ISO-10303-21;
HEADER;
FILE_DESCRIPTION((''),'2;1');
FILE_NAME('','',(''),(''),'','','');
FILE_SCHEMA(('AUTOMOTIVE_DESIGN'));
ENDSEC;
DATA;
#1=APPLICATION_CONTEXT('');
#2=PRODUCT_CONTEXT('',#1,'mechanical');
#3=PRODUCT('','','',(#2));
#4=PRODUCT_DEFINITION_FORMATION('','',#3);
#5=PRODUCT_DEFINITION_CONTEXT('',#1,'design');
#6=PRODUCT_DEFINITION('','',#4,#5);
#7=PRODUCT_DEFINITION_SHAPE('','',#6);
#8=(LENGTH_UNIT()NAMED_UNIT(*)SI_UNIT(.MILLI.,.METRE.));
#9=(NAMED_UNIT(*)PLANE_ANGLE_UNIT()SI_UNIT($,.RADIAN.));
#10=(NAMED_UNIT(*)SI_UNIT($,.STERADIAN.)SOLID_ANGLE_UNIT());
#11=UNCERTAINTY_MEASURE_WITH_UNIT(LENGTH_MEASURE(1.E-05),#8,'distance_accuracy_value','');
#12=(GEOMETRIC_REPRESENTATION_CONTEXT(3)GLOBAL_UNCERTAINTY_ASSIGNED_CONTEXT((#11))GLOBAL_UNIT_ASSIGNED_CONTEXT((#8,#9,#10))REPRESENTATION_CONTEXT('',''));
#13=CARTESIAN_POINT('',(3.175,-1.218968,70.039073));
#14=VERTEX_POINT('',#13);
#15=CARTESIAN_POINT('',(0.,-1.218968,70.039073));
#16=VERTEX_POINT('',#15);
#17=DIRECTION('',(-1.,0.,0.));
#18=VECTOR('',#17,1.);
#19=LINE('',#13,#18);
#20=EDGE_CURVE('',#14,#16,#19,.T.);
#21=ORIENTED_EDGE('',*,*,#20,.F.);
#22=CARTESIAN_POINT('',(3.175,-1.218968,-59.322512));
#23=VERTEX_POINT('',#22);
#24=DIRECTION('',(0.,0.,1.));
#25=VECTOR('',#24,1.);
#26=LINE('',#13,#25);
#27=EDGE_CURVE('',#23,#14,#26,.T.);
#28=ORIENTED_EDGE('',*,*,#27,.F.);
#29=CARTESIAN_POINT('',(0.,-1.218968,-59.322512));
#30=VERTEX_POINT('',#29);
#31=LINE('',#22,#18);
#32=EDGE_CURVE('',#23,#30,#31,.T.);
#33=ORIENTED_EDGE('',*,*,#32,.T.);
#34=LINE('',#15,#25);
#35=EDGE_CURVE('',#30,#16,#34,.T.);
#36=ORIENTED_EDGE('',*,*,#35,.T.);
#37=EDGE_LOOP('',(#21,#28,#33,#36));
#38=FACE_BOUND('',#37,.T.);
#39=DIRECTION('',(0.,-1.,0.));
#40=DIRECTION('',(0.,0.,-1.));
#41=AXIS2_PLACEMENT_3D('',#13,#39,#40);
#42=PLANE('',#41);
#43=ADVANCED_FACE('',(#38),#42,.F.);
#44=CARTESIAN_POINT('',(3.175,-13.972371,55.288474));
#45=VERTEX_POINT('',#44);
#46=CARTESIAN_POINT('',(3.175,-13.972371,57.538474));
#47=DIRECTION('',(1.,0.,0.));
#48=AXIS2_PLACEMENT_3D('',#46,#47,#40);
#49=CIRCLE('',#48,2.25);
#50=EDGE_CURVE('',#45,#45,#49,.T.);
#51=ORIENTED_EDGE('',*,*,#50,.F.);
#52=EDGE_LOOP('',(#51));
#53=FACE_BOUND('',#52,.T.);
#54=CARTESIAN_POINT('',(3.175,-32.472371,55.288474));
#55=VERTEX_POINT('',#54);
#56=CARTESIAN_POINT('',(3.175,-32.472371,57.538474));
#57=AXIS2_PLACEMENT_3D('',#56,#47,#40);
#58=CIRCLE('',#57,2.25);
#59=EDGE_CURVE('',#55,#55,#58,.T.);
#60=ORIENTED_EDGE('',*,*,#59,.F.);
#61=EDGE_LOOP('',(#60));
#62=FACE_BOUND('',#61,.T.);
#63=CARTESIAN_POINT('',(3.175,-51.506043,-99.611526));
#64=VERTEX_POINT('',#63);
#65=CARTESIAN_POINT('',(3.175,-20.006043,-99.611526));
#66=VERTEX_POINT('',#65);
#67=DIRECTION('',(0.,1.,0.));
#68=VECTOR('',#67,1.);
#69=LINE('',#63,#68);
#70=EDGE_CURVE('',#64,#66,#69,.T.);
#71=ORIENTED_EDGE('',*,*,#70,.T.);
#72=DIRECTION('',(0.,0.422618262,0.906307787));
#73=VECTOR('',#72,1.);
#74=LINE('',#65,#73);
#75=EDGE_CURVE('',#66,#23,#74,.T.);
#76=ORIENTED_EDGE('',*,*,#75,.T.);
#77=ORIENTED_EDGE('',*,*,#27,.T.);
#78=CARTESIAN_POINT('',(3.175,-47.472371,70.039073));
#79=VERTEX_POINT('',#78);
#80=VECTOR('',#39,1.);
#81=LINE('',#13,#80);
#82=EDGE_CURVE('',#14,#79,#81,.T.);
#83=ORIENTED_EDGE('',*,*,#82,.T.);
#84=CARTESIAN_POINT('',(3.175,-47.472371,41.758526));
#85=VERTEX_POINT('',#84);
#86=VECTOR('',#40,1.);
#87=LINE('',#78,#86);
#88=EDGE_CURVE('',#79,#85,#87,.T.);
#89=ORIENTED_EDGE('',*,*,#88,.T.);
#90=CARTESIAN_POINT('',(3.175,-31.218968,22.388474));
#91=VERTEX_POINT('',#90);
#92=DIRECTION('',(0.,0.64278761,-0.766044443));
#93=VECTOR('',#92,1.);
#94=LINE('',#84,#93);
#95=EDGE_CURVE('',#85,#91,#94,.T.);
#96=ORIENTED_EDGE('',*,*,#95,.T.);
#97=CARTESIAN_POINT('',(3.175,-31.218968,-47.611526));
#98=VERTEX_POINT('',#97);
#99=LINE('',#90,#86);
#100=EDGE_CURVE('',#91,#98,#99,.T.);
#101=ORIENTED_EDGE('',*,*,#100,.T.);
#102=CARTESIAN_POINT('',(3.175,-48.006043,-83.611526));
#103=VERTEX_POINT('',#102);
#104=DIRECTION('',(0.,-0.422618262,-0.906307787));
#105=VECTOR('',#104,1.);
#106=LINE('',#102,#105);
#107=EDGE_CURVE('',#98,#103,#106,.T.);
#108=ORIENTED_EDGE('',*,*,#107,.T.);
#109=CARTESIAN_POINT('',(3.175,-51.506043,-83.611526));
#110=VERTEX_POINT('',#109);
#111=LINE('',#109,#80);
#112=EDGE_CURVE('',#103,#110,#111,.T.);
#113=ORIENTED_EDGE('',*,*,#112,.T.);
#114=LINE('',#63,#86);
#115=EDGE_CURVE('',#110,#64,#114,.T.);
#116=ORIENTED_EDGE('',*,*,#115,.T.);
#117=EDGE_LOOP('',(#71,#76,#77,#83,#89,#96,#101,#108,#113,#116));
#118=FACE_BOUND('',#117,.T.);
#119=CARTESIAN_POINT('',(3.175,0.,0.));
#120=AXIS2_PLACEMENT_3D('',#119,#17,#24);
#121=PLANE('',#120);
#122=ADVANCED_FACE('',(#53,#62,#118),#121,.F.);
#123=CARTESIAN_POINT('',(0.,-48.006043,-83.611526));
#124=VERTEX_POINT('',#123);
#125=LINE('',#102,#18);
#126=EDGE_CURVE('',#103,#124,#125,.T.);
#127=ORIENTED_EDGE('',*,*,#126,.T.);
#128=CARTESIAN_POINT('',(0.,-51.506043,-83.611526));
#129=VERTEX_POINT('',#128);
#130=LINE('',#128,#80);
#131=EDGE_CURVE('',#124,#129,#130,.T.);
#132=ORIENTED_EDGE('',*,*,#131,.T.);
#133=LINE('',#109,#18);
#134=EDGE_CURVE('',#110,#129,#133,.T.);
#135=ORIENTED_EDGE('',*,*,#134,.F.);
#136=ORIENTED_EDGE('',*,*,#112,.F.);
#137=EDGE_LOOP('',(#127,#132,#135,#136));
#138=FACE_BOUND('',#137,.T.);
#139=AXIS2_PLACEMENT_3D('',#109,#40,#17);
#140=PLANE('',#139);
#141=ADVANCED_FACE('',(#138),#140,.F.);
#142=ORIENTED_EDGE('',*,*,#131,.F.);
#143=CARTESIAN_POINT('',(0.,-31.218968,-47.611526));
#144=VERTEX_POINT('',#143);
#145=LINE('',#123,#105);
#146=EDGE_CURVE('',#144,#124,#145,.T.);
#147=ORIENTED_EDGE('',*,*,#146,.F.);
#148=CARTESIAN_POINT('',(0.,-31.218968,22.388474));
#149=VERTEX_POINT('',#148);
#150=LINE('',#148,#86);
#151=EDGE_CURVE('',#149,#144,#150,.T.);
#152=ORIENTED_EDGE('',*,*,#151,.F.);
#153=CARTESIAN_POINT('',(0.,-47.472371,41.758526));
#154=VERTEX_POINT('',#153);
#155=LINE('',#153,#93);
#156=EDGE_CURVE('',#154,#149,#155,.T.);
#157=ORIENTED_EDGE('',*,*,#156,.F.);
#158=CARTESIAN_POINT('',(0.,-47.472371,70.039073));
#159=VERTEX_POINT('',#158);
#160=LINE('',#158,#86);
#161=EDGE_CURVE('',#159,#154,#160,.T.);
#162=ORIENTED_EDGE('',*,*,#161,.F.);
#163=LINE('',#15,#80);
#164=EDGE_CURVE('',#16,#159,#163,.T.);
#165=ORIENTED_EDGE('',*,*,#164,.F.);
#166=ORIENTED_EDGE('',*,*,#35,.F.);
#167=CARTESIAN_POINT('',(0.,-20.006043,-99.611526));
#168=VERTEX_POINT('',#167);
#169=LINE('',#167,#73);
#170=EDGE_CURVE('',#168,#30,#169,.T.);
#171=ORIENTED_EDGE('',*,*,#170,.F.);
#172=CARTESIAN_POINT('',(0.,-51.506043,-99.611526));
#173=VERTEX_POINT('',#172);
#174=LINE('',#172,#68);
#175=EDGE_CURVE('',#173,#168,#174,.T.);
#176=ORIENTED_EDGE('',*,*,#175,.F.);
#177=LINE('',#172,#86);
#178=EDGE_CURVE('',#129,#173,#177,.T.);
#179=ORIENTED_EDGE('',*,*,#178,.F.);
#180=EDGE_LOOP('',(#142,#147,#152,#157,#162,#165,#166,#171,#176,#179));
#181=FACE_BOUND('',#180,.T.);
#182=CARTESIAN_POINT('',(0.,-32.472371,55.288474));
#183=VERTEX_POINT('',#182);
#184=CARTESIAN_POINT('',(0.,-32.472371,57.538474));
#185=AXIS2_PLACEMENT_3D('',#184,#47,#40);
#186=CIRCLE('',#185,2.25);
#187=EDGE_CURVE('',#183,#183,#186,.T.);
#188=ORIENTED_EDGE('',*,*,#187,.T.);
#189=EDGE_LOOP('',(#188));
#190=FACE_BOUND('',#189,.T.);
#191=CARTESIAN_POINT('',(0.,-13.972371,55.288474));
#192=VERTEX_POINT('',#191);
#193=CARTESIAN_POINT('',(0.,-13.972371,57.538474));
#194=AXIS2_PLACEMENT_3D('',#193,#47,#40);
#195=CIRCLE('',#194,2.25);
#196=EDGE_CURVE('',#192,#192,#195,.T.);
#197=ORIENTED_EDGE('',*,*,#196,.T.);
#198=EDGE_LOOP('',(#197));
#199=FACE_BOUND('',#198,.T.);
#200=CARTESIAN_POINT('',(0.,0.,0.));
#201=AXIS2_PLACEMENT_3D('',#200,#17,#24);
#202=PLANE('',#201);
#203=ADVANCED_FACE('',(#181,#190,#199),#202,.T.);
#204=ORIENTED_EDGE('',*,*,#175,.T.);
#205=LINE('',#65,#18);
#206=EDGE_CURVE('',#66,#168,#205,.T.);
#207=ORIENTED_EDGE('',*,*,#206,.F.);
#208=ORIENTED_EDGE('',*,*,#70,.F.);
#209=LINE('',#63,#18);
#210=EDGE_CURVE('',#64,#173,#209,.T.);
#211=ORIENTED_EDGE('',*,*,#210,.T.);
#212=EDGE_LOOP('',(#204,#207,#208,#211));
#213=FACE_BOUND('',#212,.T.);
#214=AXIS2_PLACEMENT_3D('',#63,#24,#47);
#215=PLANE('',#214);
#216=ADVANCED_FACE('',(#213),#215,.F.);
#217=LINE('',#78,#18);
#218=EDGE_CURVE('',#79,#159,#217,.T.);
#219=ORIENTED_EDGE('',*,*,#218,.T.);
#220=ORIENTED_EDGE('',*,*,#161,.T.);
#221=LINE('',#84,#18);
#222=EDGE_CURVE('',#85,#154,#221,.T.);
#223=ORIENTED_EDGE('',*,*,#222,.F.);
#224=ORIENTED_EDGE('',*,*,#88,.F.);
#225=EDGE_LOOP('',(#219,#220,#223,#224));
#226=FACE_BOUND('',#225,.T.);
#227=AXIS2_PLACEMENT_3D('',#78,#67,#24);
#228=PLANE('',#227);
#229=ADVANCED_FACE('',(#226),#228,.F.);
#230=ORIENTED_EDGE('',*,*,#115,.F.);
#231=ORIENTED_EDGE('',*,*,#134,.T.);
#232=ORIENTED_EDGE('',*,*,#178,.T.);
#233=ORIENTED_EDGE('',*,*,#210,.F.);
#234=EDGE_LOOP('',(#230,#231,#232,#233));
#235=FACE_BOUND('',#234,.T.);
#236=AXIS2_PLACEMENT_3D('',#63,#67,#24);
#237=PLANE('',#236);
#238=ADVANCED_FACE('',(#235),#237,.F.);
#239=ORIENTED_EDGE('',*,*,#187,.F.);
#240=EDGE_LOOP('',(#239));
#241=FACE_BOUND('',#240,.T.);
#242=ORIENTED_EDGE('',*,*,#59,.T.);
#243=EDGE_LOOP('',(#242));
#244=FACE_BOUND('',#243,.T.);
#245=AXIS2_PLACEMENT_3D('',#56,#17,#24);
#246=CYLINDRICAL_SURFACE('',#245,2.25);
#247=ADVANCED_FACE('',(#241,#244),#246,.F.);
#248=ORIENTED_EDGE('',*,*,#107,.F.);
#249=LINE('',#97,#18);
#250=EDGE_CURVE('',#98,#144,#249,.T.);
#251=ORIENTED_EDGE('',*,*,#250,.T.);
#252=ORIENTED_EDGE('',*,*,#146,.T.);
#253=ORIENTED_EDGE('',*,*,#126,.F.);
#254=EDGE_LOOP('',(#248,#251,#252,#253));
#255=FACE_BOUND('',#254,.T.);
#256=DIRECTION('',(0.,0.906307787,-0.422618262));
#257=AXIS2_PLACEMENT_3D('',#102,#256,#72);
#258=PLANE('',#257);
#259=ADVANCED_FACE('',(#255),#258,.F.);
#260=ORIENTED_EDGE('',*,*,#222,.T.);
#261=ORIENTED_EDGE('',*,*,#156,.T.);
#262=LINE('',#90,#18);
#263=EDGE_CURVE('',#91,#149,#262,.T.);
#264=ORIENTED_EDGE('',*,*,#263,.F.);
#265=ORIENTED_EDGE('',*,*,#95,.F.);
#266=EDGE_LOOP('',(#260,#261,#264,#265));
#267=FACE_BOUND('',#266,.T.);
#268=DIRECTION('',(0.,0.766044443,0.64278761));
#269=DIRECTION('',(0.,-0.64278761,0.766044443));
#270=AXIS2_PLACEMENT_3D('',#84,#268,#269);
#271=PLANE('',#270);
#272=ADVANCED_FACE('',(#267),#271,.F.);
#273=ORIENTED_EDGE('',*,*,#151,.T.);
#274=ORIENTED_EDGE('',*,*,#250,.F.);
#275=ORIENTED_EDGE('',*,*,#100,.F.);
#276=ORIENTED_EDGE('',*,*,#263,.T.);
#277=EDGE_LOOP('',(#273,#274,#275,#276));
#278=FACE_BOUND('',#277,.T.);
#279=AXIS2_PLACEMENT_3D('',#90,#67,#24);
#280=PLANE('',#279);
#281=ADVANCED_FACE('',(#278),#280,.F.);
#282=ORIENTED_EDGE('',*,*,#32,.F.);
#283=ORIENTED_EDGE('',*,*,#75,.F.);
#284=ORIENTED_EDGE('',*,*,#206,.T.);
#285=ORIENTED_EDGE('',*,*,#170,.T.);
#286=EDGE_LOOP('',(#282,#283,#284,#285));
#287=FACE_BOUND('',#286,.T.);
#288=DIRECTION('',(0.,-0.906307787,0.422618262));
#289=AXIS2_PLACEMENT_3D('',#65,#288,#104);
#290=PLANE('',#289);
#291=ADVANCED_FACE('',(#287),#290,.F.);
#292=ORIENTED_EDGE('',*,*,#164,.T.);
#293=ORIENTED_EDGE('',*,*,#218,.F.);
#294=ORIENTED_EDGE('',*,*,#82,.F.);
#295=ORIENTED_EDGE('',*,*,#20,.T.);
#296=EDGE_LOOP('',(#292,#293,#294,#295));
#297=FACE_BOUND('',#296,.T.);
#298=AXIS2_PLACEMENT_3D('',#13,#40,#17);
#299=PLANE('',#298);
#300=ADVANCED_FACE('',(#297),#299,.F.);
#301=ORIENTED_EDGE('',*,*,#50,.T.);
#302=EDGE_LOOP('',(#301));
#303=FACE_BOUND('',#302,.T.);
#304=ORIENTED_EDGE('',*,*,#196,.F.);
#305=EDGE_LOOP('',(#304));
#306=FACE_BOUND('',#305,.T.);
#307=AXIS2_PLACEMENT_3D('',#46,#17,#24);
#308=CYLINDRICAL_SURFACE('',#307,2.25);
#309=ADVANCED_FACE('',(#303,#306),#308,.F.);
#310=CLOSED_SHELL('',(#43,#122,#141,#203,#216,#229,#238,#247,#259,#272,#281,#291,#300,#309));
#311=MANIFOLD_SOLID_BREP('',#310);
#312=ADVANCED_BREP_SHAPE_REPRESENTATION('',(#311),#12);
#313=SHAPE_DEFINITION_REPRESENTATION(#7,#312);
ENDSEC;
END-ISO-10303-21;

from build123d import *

# Parameters (mm, degrees)
SKETCH1_R           = 2.25
BOSS_EXTRUDE2_DEPTH = 3.175


with BuildPart() as part:
    # Sketch1 → Boss-Extrude2 (new body)
    with BuildSketch(Plane(origin=(0, 0, 0), x_dir=(0, 0, -1), z_dir=(1, 0, 0))):
        Polygon((-70.039073078, -1.218967506), (59.322512202, -1.218967506), (99.611526043, -20.0060432), (99.611526043, -51.5060432), (83.611526043, -51.5060432), (83.611526043, -48.0060432), (47.611526043, -31.218967506), (-22.388473957, -31.218967506), (-41.758526434, -47.472371395), (-70.039073078, -47.472371395), align=None)
        with Locations((-57.538473957, -13.972371395)):
            Circle(SKETCH1_R, mode=Mode.SUBTRACT)
        with Locations((-57.538473957, -32.472371395)):
            Circle(SKETCH1_R, mode=Mode.SUBTRACT)
    extrude(amount=BOSS_EXTRUDE2_DEPTH)


solid = part.part
